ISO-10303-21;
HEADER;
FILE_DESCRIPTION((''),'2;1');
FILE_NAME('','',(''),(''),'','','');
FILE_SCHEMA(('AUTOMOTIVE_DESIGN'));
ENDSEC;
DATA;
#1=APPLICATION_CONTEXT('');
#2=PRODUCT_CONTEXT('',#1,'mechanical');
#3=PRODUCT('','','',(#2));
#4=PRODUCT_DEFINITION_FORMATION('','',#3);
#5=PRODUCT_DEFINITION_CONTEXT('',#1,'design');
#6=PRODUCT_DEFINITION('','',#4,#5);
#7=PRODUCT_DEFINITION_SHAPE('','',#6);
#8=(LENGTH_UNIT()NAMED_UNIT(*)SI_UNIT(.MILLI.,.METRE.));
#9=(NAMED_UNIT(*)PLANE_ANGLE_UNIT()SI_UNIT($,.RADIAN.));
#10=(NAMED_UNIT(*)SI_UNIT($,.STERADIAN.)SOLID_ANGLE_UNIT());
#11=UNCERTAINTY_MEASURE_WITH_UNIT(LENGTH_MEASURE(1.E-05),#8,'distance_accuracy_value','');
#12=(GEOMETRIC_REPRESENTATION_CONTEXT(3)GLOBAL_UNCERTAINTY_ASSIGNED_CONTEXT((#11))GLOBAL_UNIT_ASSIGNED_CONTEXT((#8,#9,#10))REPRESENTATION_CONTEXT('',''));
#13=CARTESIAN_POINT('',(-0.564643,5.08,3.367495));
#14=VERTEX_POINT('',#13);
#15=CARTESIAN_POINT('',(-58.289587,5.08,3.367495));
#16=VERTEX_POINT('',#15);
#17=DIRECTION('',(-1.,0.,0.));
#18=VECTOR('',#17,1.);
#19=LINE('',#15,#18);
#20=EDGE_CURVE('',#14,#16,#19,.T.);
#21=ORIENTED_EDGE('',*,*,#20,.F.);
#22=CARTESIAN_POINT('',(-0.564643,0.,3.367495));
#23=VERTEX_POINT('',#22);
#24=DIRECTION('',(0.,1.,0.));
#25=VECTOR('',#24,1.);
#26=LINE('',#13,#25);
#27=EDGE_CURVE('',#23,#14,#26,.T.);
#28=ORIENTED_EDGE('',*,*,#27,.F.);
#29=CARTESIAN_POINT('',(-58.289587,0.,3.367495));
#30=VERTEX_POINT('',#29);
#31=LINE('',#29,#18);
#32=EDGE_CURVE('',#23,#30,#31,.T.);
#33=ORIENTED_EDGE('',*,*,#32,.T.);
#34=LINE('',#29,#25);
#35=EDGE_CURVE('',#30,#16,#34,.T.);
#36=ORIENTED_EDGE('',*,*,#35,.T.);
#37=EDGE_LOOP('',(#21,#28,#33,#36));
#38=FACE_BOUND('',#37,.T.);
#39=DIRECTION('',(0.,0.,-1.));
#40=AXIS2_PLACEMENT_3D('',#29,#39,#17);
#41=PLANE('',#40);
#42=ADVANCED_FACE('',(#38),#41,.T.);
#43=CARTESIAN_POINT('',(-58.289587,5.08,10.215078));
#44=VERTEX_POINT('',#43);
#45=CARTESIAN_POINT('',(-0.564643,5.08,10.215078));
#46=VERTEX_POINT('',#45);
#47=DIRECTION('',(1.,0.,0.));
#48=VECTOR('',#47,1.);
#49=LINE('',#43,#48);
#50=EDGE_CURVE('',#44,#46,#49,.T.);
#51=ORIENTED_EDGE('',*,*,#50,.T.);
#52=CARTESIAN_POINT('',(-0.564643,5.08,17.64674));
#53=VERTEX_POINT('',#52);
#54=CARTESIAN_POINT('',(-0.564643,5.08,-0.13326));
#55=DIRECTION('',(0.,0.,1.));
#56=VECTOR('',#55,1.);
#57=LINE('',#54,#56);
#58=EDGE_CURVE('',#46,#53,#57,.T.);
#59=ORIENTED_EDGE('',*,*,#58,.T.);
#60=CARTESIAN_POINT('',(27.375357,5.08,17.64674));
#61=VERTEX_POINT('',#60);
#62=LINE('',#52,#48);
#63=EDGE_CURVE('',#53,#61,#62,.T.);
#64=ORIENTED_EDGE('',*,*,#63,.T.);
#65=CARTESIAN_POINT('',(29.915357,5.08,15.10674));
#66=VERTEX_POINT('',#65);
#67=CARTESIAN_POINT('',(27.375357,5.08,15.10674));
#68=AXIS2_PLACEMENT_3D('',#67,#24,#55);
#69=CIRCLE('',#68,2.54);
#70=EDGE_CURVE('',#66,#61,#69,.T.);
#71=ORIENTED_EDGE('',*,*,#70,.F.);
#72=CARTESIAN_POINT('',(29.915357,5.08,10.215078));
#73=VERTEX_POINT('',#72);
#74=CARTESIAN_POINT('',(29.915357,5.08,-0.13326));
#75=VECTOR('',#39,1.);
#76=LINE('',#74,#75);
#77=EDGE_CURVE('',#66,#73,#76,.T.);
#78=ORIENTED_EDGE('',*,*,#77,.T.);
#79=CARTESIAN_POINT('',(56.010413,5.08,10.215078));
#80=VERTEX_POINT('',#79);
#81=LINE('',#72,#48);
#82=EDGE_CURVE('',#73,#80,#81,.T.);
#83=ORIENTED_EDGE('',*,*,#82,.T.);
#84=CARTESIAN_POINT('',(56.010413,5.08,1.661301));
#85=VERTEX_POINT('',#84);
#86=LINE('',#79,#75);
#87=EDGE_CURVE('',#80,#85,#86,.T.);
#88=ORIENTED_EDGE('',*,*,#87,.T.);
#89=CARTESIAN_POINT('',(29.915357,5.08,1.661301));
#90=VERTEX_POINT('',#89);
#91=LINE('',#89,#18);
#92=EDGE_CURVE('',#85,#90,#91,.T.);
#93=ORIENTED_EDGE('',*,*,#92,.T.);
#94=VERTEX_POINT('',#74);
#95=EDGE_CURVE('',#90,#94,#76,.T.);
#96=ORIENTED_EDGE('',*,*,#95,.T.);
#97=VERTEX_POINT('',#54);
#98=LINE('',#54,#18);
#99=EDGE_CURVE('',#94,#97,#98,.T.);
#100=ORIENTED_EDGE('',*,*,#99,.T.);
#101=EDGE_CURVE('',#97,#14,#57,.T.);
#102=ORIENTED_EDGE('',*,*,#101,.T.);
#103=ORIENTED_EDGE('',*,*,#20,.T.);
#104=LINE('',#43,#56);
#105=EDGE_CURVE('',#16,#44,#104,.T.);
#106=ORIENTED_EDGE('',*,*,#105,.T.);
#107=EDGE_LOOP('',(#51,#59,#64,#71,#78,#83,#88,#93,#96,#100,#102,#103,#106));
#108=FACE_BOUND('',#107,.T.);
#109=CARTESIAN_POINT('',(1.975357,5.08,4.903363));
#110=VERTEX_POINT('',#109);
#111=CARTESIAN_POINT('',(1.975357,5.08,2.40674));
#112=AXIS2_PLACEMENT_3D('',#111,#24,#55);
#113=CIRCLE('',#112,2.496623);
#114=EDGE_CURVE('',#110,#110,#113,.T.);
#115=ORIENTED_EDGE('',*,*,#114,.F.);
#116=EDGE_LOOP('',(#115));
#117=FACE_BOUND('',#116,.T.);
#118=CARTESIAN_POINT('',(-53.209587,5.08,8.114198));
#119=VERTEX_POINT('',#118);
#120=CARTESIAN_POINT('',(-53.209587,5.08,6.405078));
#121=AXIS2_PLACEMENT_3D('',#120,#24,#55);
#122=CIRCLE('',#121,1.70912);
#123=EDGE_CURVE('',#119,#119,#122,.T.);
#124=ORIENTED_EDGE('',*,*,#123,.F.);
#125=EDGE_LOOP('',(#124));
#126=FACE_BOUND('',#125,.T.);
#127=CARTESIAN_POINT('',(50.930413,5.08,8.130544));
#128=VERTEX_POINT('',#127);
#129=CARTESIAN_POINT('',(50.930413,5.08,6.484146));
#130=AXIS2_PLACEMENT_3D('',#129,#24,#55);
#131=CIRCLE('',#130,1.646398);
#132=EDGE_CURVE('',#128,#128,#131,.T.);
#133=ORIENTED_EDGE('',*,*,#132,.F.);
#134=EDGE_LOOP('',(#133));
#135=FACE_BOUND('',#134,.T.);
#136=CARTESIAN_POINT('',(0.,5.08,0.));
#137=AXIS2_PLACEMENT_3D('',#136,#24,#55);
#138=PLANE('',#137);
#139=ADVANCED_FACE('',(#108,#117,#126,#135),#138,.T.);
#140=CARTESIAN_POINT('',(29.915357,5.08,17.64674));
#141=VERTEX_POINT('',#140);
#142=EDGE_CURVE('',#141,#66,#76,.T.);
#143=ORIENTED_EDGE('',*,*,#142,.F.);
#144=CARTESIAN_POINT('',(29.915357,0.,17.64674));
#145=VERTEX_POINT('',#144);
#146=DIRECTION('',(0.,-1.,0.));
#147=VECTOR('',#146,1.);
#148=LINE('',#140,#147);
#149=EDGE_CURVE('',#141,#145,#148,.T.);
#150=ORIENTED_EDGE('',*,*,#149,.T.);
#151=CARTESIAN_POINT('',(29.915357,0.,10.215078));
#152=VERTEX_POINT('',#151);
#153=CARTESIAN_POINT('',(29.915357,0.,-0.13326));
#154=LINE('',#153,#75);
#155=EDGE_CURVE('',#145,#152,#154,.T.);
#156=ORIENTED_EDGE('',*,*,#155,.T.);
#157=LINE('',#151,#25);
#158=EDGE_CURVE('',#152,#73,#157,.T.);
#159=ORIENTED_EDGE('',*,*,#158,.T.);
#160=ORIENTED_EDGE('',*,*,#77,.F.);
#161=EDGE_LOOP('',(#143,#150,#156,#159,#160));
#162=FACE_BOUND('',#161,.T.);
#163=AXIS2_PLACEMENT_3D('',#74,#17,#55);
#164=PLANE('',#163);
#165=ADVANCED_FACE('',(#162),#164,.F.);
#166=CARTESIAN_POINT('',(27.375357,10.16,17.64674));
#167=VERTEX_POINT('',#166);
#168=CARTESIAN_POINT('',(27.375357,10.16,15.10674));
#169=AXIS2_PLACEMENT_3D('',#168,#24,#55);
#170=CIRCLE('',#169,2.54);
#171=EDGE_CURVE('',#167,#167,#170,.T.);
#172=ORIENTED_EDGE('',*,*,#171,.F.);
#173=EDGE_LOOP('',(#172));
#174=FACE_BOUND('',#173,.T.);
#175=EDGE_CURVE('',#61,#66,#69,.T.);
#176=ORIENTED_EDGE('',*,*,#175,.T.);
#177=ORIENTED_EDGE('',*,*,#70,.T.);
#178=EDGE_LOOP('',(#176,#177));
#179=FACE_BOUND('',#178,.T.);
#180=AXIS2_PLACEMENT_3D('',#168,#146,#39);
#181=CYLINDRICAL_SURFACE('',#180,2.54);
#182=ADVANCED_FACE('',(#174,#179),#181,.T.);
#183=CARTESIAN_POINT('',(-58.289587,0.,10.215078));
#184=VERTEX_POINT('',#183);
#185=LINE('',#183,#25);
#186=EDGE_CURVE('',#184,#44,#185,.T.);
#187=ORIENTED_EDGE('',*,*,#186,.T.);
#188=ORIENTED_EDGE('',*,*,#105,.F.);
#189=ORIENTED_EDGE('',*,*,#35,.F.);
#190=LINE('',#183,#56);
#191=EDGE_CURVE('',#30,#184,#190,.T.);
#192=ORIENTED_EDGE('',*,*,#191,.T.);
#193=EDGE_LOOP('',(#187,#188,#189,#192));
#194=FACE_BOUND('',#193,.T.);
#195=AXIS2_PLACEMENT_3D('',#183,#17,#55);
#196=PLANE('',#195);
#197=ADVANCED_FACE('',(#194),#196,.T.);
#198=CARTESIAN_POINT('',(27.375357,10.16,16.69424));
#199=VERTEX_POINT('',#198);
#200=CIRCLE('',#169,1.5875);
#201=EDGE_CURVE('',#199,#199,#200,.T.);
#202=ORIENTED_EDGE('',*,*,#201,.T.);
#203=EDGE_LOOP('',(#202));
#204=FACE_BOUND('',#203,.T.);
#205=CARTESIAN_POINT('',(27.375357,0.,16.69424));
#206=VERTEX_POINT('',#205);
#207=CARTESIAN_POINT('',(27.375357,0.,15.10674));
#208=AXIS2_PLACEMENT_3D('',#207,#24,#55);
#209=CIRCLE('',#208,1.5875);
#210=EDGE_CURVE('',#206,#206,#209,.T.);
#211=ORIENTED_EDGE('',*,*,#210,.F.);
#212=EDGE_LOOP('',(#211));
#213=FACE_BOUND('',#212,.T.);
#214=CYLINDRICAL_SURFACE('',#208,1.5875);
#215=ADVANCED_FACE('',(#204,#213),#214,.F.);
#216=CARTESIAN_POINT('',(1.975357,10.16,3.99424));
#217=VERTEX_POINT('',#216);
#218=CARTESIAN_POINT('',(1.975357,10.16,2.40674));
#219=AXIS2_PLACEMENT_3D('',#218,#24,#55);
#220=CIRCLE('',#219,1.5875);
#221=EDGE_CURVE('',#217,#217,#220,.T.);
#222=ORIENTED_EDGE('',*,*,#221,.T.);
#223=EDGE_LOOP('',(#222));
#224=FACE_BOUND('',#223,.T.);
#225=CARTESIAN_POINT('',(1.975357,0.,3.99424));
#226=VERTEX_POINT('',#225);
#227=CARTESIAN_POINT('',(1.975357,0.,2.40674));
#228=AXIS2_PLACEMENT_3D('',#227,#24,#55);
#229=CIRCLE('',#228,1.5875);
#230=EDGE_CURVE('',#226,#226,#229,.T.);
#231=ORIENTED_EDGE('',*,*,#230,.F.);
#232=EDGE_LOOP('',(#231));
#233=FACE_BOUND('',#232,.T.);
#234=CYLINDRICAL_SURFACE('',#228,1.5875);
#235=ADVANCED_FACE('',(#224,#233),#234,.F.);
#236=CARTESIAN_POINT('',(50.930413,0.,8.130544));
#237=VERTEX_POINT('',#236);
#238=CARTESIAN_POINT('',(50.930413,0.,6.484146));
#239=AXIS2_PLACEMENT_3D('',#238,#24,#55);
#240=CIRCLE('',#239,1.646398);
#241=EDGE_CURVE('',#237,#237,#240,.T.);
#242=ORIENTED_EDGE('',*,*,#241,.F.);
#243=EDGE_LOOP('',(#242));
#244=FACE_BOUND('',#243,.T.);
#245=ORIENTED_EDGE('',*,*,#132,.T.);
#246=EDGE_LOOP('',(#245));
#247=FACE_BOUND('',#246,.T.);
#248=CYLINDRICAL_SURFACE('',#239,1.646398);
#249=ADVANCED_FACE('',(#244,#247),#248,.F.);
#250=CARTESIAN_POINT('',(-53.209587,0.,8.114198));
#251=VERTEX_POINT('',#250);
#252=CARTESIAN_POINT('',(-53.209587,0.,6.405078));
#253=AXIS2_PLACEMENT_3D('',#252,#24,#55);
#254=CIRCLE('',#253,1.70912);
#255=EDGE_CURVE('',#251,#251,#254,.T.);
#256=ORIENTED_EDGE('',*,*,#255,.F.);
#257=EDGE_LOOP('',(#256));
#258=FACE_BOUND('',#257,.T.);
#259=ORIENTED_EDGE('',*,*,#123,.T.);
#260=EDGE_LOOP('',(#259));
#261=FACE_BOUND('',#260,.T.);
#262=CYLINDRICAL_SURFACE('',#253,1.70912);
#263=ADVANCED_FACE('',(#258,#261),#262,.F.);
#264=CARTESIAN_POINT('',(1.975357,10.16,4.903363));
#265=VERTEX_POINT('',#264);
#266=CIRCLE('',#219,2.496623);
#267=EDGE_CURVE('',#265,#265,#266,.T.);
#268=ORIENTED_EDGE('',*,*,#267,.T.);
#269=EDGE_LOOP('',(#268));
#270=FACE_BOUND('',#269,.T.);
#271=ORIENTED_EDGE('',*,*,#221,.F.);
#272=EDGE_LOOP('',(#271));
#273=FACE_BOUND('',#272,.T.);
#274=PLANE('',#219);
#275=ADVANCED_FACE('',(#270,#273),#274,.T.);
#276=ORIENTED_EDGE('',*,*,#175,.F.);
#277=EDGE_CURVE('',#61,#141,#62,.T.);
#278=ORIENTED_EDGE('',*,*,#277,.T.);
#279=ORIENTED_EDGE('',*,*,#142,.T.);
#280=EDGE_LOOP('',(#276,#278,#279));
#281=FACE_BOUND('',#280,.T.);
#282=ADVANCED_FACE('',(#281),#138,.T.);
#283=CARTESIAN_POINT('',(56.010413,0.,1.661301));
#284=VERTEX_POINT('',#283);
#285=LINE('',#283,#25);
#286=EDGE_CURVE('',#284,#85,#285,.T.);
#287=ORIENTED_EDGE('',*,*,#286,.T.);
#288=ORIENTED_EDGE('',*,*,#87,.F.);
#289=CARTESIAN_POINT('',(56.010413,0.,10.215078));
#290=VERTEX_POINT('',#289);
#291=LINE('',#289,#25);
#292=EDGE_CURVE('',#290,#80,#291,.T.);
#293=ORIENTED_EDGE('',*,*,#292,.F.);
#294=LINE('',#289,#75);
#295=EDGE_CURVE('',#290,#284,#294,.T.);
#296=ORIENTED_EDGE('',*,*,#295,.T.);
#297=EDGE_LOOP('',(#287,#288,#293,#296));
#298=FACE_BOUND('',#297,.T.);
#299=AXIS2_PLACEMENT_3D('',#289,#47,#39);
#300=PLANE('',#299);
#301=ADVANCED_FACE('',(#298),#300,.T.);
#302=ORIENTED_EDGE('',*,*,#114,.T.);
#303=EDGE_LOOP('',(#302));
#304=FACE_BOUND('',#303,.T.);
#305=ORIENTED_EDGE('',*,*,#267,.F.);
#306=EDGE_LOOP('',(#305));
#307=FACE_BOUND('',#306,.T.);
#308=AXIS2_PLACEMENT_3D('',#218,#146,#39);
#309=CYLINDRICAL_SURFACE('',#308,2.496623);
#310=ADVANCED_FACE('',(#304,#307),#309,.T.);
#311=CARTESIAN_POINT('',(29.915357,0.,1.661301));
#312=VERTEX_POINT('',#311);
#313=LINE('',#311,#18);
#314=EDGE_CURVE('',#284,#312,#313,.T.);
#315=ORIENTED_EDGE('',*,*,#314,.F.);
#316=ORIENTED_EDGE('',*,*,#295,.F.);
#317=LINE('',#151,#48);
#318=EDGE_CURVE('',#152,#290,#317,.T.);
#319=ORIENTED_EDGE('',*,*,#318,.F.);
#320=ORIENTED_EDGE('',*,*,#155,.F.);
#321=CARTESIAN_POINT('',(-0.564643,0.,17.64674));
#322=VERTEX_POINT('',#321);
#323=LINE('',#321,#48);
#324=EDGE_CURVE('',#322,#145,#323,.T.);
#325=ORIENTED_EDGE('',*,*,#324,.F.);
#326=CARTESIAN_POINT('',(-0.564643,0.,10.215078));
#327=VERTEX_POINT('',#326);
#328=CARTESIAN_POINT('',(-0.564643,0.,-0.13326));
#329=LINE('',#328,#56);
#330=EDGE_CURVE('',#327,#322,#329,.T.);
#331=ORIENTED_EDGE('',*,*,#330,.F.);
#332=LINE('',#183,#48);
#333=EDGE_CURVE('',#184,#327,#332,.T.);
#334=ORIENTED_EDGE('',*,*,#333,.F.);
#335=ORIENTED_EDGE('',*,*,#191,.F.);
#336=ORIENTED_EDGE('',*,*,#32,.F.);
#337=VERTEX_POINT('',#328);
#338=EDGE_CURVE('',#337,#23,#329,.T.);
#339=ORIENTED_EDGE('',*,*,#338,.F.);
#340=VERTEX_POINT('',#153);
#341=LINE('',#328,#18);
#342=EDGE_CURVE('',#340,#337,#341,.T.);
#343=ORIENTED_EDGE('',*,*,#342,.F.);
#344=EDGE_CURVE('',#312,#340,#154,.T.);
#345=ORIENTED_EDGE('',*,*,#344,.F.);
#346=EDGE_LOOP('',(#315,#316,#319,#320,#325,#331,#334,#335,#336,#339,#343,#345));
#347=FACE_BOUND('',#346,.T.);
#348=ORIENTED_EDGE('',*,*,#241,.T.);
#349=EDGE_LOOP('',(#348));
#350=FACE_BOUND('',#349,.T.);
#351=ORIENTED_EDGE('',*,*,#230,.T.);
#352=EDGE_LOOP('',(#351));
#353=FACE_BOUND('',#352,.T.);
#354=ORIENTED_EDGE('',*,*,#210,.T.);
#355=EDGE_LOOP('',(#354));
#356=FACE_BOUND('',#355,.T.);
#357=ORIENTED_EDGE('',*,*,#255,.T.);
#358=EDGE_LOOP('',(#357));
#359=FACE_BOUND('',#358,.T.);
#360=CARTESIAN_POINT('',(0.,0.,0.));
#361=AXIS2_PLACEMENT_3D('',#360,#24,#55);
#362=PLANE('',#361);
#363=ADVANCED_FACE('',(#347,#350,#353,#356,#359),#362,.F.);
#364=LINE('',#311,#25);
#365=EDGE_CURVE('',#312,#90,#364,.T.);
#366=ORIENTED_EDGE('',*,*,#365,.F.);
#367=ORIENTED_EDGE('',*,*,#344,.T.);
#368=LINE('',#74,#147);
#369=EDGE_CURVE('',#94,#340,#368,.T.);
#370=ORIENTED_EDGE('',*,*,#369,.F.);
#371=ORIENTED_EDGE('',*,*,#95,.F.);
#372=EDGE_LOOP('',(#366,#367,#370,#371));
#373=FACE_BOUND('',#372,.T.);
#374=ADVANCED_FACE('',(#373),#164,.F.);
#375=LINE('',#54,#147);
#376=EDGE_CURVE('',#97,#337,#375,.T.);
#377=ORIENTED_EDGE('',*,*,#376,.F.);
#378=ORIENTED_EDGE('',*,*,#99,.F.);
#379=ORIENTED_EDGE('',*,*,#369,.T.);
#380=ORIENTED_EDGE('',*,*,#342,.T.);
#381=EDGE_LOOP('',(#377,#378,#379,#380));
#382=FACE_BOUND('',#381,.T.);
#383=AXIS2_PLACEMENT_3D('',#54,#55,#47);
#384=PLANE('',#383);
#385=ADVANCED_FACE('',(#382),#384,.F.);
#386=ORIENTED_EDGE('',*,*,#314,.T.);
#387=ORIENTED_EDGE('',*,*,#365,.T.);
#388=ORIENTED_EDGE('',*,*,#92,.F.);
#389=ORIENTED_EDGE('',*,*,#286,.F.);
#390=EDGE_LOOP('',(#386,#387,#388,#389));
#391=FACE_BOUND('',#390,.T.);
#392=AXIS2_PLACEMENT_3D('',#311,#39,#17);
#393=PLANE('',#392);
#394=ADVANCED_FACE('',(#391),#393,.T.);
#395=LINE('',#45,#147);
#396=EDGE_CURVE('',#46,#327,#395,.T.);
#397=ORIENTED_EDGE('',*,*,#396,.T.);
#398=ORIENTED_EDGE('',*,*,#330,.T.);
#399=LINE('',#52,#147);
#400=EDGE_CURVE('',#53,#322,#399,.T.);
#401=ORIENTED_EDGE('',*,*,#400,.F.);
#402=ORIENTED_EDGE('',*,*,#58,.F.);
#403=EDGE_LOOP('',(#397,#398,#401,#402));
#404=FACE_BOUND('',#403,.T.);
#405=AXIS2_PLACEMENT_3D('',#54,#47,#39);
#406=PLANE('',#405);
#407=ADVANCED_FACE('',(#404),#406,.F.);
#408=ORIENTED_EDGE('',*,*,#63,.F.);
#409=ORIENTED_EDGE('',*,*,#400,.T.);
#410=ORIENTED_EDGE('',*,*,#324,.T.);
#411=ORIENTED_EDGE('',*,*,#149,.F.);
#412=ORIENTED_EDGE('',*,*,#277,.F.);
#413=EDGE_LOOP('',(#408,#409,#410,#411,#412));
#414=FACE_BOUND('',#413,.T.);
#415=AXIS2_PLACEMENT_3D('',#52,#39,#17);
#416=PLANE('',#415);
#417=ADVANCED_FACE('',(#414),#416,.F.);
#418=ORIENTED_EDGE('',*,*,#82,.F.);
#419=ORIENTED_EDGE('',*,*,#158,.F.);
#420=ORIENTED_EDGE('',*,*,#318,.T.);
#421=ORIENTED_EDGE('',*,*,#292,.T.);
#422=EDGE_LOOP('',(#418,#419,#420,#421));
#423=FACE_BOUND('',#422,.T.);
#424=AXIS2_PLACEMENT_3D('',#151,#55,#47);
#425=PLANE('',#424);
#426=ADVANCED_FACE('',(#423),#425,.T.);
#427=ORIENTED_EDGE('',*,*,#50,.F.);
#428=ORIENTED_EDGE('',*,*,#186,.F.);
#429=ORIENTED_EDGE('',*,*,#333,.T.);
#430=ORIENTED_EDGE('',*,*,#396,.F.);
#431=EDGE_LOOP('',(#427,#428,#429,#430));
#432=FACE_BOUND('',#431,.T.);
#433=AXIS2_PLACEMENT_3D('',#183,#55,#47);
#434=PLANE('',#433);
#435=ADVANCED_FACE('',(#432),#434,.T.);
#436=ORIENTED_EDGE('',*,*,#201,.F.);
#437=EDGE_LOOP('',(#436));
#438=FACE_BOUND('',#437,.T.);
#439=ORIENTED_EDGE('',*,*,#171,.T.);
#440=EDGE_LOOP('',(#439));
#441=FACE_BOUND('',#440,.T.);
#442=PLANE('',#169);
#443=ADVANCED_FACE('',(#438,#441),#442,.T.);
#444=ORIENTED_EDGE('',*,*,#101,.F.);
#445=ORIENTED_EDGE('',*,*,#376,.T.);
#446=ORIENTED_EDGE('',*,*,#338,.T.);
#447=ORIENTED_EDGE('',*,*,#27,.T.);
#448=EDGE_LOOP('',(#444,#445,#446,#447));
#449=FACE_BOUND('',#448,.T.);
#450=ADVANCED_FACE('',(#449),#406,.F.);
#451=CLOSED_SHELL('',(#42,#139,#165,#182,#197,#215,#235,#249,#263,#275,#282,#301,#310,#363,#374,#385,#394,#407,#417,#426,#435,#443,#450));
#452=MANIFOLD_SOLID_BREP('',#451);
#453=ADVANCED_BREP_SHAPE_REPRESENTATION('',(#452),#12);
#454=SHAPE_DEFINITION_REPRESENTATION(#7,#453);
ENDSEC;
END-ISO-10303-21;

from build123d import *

# Parameters (mm, degrees)
SKETCH1_W           = 30.48
SKETCH1_H           = 17.78
BOSS_EXTRUDE1_DEPTH = 5.08
SKETCH3_R           = 1.5875
CUT_EXTRUDE1_DEPTH  = 36.101886702
BOSS_EXTRUDE2_START = 5.08
SKETCH4_R           = 2.496623085
SKETCH4_R_2         = 1.5875
SKETCH4_R_3         = 2.54
BOSS_EXTRUDE2_DEPTH = 5.08
SKETCH6_W           = 26.095055506
SKETCH6_H           = 8.553777079
SKETCH6_R           = 1.646398399
BOSS_EXTRUDE3_DEPTH = 5.08
SKETCH7_W           = 57.960584247
SKETCH7_H           = 6.84758287
SKETCH7_R           = 1.709119501
BOSS_EXTRUDE4_DEPTH = 5.08


with BuildPart() as part:
    # Sketch1 → Boss-Extrude1 (new body)
    with BuildSketch(Plane(origin=(0, 0, 0), x_dir=(1, 0, 0), z_dir=(0, 1, 0))):
        with Locations((14.675357499, -8.756740088)):
            Rectangle(SKETCH1_W, SKETCH1_H)
    extrude(amount=BOSS_EXTRUDE1_DEPTH)

    # Sketch3 → Cut-Extrude1 (cut, through all)
    with BuildSketch(Plane(origin=(0, 5.08, 0), x_dir=(1, 0, 0), z_dir=(0, 1, 0))):
        with Locations(Location((1.975357499, -2.406740088, 0), (0, 0, 270))):
            Circle(SKETCH3_R)
        with Locations(Location((27.375357499, -15.106740088, 0), (0, 0, 270))):
            Circle(SKETCH3_R)
    extrude(amount=-CUT_EXTRUDE1_DEPTH, mode=Mode.SUBTRACT)

    # Sketch4 → Boss-Extrude2 (add)
    # profile 1 of 2: a face of its own
    with BuildSketch(Plane(origin=(0, 5.08, 0), x_dir=(1, 0, 0), z_dir=(0, 1, 0)).offset(BOSS_EXTRUDE2_START)):
        with Locations(Location((1.975357499, -2.406740088, 0), (0, 0, 270))):
            Circle(SKETCH4_R)
        with Locations(Location((1.975357499, -2.406740088, 0), (0, 0, 270))):
            Circle(SKETCH4_R_2, mode=Mode.SUBTRACT)
    # profile 2 of 2: a face of its own
    with BuildSketch(Plane(origin=(0, 5.08, 0), x_dir=(1, 0, 0), z_dir=(0, 1, 0)).offset(BOSS_EXTRUDE2_START)):
        with Locations(Location((27.375357499, -15.106740088, 0), (0, 0, 270))):
            Circle(SKETCH4_R_3)
        with Locations(Location((27.375357499, -15.106740088, 0), (0, 0, 270))):
            Circle(SKETCH4_R_2, mode=Mode.SUBTRACT)
    extrude(amount=-BOSS_EXTRUDE2_DEPTH)

    # Sketch6 → Boss-Extrude3 (add)
    with BuildSketch(Plane(origin=(0, 5.08, 0), x_dir=(1, 0, 0), z_dir=(0, 1, 0))):
        with Locations((42.962885252, -5.938189685)):
            Rectangle(SKETCH6_W, SKETCH6_H)
        with Locations(Location((50.930413005, -6.484145564, 0), (0, 0, 270))):
            Circle(SKETCH6_R, mode=Mode.SUBTRACT)
    extrude(amount=-BOSS_EXTRUDE3_DEPTH)

    # Sketch7 → Boss-Extrude4 (add)
    with BuildSketch(Plane(origin=(0, 5.08, 0), x_dir=(1, 0, 0), z_dir=(0, 1, 0))):
        with Locations((-29.309294872, -6.791286789)):
            Rectangle(SKETCH7_W, SKETCH7_H)
        with Locations(Location((-53.209586995, -6.405078224, 0), (0, 0, 270))):
            Circle(SKETCH7_R, mode=Mode.SUBTRACT)
    extrude(amount=-BOSS_EXTRUDE4_DEPTH)


solid = part.part
